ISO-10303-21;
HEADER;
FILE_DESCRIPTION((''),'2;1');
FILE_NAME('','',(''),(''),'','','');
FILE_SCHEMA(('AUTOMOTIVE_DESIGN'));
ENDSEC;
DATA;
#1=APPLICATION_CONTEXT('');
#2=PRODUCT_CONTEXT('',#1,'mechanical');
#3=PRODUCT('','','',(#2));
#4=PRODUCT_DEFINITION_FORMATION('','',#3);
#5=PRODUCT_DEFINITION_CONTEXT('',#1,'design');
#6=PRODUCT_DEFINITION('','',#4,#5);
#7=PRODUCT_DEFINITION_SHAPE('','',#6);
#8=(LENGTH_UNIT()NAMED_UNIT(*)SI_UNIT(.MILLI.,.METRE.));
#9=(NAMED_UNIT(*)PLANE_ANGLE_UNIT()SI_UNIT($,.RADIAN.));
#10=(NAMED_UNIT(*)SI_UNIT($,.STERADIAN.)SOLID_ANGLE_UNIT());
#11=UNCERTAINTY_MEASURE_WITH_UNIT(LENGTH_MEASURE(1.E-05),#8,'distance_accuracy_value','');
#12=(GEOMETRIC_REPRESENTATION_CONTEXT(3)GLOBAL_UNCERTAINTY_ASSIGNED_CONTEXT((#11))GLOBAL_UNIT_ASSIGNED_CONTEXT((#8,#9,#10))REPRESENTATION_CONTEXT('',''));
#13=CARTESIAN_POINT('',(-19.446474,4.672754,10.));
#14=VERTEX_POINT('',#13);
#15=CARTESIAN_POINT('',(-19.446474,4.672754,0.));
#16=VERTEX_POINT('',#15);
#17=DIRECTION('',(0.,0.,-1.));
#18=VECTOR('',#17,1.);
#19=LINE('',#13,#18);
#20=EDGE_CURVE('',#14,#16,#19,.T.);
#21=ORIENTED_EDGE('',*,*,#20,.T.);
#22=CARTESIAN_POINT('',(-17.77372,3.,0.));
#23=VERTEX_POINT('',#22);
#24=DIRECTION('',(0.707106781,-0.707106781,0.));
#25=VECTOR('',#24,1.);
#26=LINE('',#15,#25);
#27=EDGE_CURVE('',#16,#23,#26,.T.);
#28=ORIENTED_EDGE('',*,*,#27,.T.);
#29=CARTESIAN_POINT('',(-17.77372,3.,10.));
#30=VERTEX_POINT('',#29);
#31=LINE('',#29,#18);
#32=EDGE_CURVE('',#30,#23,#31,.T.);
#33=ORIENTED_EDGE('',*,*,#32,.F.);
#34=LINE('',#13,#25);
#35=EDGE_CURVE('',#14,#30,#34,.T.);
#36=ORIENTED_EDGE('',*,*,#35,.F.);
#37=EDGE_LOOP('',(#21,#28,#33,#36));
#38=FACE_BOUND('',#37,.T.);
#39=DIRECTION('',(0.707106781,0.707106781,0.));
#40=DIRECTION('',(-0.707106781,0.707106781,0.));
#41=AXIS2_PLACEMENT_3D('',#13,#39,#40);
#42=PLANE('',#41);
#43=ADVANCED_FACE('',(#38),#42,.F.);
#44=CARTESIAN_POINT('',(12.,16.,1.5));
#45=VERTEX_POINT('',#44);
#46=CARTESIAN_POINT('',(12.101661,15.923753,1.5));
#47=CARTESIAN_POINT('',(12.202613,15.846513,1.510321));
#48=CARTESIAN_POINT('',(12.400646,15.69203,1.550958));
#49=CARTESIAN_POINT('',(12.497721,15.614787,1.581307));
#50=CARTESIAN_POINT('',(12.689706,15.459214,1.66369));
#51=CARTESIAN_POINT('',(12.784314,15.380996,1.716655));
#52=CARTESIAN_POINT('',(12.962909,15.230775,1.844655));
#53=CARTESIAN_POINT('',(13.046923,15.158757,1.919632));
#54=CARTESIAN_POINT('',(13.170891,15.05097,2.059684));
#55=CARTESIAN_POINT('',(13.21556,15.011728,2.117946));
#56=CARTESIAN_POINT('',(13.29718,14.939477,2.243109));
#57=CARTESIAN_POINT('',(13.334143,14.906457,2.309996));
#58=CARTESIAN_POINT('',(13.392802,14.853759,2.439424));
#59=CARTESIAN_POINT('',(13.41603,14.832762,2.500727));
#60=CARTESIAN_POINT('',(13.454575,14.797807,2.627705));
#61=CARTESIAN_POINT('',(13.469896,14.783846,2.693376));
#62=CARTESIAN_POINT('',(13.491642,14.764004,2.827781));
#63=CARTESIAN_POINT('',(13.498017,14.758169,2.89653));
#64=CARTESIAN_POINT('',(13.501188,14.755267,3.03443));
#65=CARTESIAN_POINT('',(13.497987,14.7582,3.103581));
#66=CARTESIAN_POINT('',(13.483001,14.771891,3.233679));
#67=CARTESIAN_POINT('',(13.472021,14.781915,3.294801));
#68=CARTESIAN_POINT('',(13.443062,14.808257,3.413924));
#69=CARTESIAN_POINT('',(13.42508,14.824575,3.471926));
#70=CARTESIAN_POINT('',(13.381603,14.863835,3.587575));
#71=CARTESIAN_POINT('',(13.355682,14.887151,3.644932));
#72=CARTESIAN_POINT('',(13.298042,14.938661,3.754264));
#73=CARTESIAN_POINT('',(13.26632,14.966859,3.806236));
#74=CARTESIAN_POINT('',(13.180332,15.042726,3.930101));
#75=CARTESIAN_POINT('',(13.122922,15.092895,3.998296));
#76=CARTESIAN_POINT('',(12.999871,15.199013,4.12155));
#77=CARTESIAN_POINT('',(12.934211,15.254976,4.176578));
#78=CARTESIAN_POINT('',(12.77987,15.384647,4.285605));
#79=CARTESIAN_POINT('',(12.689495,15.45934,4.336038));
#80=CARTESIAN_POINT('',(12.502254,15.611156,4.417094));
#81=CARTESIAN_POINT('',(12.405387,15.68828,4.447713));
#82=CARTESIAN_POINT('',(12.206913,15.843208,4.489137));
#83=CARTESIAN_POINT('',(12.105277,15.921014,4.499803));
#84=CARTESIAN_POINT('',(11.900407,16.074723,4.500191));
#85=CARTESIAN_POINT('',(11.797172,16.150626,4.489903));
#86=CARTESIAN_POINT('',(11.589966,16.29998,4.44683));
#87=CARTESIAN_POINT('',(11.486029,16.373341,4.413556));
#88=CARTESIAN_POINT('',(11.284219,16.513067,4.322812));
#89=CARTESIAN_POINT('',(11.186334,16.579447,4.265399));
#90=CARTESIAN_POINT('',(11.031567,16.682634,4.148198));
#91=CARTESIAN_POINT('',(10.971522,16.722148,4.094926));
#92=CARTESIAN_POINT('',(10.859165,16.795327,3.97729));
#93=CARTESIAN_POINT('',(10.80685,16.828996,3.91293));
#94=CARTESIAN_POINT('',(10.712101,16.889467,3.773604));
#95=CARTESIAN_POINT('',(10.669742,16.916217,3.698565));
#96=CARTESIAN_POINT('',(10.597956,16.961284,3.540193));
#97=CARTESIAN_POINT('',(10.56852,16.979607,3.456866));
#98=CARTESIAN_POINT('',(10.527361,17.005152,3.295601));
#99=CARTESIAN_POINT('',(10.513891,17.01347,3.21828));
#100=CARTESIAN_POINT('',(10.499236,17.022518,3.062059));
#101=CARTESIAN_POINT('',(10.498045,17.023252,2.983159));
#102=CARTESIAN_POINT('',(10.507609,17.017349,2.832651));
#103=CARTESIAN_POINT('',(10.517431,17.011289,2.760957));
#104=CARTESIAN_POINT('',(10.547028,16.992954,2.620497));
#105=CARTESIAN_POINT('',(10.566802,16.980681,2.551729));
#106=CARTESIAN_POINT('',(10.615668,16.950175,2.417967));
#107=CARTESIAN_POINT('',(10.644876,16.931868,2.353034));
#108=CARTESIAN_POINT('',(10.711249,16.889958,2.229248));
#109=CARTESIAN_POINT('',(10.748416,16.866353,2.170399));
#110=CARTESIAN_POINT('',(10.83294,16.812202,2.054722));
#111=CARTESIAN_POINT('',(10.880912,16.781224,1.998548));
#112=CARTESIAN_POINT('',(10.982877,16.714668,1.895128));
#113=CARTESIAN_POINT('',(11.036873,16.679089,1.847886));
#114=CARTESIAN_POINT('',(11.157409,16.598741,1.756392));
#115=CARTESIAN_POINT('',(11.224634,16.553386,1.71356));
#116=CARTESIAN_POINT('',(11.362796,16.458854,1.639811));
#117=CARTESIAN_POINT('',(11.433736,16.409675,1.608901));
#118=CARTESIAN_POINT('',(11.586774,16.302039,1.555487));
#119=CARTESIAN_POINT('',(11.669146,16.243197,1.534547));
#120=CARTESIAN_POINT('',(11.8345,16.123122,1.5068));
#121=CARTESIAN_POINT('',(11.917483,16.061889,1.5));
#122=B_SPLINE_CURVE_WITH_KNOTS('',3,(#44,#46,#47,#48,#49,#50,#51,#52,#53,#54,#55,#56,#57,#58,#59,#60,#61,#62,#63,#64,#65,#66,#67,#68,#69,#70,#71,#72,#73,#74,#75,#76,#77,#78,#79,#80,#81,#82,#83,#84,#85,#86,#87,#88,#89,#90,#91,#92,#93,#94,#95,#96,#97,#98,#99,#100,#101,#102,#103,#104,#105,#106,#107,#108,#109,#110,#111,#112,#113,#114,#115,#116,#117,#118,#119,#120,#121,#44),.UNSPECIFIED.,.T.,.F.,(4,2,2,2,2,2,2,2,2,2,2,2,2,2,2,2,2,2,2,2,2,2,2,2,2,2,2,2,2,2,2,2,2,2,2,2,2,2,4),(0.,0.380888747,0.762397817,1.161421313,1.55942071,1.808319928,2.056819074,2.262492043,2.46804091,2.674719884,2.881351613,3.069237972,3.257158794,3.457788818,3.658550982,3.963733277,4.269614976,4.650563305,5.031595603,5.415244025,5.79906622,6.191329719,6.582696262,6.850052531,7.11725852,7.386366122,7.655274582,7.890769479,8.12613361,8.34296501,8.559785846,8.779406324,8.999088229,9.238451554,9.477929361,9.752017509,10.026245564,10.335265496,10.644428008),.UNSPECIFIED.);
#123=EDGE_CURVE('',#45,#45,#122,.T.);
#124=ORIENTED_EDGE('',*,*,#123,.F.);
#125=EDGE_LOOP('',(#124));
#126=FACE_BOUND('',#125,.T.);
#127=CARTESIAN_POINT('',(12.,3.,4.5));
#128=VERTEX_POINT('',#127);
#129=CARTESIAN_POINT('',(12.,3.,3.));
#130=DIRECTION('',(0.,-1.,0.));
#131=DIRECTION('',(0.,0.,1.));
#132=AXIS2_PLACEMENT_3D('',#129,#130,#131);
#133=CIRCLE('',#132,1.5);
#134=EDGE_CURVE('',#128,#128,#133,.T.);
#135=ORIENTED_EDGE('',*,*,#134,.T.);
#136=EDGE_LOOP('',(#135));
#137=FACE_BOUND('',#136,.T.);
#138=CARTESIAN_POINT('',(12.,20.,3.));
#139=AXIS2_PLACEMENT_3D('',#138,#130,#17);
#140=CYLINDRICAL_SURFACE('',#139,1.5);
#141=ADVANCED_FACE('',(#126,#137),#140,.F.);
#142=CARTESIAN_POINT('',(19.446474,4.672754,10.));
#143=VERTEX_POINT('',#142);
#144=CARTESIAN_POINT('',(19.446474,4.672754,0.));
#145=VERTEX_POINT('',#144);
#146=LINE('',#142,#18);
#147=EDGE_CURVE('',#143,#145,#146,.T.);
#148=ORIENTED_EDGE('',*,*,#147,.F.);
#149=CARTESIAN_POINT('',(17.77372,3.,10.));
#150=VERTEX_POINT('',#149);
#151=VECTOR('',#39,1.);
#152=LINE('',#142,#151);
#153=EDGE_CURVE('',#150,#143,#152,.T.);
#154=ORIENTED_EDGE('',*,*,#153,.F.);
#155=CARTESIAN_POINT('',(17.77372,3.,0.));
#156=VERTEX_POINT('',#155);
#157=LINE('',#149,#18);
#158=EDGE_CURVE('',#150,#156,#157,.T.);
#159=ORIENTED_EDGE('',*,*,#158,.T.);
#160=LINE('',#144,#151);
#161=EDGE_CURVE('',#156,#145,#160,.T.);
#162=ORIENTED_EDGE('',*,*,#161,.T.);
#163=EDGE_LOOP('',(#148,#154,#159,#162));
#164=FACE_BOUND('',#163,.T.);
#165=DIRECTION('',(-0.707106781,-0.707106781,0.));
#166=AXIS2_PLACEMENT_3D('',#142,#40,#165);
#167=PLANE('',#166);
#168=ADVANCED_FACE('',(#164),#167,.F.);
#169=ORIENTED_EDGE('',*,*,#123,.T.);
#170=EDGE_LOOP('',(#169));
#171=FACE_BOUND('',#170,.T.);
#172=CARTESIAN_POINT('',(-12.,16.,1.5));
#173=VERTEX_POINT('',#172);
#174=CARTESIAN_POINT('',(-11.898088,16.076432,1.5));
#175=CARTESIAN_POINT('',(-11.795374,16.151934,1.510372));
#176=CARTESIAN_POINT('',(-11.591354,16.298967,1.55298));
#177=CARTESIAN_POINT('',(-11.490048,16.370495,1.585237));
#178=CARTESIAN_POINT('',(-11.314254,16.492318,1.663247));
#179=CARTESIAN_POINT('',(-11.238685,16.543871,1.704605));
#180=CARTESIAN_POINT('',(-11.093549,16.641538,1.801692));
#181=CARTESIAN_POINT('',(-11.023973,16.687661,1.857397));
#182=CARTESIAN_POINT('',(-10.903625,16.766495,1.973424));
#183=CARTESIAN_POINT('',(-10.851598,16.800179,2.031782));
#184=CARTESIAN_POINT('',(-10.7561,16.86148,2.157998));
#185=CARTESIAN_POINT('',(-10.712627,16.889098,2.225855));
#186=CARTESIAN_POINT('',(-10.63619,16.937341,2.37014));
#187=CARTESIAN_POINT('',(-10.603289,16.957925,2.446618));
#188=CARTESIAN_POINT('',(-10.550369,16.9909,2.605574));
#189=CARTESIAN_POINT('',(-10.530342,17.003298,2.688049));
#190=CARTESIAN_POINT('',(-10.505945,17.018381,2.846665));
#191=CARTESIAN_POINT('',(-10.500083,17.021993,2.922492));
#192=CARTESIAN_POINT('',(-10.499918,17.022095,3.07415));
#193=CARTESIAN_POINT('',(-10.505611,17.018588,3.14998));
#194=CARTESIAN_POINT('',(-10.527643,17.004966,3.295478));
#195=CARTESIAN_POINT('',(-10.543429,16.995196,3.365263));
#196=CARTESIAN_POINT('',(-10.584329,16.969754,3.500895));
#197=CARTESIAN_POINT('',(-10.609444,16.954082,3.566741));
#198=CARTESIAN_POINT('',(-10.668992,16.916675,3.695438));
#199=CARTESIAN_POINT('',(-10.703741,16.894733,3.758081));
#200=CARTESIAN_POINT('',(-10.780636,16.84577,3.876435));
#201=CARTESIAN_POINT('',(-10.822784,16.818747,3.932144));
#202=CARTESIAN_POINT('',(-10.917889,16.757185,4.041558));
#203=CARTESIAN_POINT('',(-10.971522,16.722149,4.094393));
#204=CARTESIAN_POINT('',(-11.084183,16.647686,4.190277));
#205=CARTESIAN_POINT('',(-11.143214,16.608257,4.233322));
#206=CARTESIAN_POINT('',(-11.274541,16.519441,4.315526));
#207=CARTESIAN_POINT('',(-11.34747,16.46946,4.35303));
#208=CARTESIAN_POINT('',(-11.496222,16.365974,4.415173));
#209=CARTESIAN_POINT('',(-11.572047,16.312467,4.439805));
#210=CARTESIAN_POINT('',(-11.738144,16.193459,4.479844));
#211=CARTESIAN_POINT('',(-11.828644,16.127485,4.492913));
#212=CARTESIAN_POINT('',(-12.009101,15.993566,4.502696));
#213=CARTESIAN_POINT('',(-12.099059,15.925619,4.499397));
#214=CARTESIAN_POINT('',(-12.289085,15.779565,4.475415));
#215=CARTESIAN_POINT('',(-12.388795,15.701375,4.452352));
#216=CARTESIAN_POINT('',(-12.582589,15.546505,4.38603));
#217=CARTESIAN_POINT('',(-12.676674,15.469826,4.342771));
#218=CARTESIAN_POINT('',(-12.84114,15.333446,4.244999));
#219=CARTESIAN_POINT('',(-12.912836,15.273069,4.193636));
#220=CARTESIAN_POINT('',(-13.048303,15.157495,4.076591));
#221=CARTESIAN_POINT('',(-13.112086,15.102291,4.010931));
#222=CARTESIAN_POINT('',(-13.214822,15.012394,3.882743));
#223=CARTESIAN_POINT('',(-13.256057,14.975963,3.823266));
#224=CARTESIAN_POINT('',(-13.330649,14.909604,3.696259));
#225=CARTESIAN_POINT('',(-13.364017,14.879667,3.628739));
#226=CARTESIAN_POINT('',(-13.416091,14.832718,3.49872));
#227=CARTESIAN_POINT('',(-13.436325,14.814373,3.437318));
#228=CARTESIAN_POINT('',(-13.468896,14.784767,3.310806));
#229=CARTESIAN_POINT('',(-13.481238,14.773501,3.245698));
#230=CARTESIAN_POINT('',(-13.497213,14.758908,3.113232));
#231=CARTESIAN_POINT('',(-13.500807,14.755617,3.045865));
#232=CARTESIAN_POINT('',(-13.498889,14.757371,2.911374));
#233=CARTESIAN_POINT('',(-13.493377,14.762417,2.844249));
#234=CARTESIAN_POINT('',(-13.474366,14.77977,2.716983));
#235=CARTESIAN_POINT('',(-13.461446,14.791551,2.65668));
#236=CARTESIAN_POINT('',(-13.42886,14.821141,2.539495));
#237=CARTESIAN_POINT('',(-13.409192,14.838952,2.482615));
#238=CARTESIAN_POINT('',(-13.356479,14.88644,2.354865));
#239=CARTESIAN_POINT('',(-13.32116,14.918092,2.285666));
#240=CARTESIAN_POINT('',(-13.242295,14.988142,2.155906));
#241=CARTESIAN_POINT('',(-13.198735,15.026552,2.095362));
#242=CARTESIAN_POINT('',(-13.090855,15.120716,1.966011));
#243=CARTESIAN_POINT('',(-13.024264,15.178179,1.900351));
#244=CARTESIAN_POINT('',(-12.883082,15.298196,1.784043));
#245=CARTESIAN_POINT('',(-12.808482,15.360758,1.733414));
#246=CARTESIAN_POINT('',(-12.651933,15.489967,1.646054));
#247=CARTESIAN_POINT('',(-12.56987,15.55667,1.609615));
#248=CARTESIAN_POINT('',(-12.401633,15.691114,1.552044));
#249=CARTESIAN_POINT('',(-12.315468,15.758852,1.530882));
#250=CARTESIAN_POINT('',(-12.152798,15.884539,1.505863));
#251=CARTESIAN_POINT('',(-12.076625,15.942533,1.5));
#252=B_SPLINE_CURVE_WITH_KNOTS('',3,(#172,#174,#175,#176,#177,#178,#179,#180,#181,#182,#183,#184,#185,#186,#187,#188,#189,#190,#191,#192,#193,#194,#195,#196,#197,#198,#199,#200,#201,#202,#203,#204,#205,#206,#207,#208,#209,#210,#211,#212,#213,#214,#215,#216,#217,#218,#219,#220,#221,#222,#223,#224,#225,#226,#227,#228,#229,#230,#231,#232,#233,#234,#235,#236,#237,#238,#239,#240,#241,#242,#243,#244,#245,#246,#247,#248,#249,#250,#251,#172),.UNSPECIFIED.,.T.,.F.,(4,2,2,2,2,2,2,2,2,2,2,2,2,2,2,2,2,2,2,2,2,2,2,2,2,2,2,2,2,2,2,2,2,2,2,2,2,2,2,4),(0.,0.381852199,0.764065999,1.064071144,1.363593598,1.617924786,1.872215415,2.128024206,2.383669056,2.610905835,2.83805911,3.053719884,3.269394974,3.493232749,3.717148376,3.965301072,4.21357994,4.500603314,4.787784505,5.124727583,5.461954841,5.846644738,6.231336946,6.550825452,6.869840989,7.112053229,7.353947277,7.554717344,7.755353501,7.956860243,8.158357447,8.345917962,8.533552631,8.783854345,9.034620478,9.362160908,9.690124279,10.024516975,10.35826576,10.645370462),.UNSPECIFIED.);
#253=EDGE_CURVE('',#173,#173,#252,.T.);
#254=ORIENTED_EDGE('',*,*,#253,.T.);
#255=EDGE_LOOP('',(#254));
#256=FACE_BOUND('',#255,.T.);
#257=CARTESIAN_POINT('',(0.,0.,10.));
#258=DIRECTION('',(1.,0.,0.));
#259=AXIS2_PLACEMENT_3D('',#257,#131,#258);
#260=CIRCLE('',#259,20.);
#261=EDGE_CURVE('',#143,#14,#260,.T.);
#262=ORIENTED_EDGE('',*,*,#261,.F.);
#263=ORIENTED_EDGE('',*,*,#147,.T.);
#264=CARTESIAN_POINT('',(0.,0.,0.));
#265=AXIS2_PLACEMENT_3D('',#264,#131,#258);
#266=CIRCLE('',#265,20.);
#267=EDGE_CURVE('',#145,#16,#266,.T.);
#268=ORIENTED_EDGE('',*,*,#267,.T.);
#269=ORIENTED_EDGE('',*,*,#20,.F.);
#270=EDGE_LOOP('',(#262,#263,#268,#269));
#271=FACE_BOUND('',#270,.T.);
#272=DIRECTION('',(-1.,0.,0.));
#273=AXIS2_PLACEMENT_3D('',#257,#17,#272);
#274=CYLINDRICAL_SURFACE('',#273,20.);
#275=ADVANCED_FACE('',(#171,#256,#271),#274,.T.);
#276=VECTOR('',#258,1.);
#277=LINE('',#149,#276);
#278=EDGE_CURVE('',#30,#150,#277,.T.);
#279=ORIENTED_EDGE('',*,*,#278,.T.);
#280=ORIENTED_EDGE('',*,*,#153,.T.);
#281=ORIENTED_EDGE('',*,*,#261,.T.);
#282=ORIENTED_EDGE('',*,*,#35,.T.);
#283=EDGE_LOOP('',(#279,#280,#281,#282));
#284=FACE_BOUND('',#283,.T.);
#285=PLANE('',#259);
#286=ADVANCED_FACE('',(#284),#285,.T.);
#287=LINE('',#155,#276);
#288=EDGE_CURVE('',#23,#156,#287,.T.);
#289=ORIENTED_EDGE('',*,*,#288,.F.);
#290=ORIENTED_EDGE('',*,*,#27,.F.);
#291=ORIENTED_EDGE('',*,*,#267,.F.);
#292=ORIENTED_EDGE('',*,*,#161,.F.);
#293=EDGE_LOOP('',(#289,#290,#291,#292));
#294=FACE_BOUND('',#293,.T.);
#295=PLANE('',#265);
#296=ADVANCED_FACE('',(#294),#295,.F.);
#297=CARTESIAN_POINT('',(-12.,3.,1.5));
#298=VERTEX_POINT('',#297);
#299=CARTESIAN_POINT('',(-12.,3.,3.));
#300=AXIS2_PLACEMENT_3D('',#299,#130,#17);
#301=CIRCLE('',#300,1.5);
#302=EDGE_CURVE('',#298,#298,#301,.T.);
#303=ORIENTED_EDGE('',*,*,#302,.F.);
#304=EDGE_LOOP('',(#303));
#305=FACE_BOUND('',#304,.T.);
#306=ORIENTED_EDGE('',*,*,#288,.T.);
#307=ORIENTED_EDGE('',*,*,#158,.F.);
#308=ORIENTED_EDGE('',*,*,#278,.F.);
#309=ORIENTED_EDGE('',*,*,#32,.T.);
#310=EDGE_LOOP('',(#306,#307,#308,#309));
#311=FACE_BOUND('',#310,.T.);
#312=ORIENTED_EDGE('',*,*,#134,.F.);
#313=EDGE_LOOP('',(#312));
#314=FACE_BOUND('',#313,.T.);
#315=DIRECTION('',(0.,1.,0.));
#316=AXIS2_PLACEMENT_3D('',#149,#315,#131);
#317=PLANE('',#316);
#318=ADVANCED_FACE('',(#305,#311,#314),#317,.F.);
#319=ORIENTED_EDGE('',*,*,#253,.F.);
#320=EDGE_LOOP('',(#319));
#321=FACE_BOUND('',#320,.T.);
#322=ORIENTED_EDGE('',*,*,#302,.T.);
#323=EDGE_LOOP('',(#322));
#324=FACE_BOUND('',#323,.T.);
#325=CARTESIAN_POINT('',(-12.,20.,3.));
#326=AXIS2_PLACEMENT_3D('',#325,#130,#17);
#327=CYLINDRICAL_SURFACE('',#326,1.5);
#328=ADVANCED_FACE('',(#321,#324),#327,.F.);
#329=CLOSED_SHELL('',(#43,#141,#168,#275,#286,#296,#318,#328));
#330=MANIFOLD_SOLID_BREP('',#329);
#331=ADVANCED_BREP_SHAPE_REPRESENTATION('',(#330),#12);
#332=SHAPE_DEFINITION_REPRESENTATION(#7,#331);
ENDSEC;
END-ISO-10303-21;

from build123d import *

# Parameters (mm, degrees)
EXTRUSION1_DEPTH = 10
ESQUISSE2_R      = 1.5
EXTRUSION2_DEPTH = 18


with BuildPart() as part:
    # Esquisse1 → Extrusion1 (new body)
    with BuildSketch(Plane.XY):
        with BuildLine():
            Line((17.773719933, 3), (-17.773719933, 3))
            Line((-17.773719933, 3), (-19.446474381, 4.672754448))
            ThreePointArc((-19.446474381, 4.672754448), (0, 20), (19.446474381, 4.672754448))
            Line((19.446474381, 4.672754448), (17.773719933, 3))
        make_face()
    extrude(amount=EXTRUSION1_DEPTH)

    # Esquisse2 → Extrusion2 (cut, through all)
    with BuildSketch(Plane.XZ.offset(-3)):
        with Locations((-12, 3)):
            Circle(ESQUISSE2_R)
        with Locations((12, 3)):
            Circle(ESQUISSE2_R)
    extrude(amount=-EXTRUSION2_DEPTH, mode=Mode.SUBTRACT)


solid = part.part
